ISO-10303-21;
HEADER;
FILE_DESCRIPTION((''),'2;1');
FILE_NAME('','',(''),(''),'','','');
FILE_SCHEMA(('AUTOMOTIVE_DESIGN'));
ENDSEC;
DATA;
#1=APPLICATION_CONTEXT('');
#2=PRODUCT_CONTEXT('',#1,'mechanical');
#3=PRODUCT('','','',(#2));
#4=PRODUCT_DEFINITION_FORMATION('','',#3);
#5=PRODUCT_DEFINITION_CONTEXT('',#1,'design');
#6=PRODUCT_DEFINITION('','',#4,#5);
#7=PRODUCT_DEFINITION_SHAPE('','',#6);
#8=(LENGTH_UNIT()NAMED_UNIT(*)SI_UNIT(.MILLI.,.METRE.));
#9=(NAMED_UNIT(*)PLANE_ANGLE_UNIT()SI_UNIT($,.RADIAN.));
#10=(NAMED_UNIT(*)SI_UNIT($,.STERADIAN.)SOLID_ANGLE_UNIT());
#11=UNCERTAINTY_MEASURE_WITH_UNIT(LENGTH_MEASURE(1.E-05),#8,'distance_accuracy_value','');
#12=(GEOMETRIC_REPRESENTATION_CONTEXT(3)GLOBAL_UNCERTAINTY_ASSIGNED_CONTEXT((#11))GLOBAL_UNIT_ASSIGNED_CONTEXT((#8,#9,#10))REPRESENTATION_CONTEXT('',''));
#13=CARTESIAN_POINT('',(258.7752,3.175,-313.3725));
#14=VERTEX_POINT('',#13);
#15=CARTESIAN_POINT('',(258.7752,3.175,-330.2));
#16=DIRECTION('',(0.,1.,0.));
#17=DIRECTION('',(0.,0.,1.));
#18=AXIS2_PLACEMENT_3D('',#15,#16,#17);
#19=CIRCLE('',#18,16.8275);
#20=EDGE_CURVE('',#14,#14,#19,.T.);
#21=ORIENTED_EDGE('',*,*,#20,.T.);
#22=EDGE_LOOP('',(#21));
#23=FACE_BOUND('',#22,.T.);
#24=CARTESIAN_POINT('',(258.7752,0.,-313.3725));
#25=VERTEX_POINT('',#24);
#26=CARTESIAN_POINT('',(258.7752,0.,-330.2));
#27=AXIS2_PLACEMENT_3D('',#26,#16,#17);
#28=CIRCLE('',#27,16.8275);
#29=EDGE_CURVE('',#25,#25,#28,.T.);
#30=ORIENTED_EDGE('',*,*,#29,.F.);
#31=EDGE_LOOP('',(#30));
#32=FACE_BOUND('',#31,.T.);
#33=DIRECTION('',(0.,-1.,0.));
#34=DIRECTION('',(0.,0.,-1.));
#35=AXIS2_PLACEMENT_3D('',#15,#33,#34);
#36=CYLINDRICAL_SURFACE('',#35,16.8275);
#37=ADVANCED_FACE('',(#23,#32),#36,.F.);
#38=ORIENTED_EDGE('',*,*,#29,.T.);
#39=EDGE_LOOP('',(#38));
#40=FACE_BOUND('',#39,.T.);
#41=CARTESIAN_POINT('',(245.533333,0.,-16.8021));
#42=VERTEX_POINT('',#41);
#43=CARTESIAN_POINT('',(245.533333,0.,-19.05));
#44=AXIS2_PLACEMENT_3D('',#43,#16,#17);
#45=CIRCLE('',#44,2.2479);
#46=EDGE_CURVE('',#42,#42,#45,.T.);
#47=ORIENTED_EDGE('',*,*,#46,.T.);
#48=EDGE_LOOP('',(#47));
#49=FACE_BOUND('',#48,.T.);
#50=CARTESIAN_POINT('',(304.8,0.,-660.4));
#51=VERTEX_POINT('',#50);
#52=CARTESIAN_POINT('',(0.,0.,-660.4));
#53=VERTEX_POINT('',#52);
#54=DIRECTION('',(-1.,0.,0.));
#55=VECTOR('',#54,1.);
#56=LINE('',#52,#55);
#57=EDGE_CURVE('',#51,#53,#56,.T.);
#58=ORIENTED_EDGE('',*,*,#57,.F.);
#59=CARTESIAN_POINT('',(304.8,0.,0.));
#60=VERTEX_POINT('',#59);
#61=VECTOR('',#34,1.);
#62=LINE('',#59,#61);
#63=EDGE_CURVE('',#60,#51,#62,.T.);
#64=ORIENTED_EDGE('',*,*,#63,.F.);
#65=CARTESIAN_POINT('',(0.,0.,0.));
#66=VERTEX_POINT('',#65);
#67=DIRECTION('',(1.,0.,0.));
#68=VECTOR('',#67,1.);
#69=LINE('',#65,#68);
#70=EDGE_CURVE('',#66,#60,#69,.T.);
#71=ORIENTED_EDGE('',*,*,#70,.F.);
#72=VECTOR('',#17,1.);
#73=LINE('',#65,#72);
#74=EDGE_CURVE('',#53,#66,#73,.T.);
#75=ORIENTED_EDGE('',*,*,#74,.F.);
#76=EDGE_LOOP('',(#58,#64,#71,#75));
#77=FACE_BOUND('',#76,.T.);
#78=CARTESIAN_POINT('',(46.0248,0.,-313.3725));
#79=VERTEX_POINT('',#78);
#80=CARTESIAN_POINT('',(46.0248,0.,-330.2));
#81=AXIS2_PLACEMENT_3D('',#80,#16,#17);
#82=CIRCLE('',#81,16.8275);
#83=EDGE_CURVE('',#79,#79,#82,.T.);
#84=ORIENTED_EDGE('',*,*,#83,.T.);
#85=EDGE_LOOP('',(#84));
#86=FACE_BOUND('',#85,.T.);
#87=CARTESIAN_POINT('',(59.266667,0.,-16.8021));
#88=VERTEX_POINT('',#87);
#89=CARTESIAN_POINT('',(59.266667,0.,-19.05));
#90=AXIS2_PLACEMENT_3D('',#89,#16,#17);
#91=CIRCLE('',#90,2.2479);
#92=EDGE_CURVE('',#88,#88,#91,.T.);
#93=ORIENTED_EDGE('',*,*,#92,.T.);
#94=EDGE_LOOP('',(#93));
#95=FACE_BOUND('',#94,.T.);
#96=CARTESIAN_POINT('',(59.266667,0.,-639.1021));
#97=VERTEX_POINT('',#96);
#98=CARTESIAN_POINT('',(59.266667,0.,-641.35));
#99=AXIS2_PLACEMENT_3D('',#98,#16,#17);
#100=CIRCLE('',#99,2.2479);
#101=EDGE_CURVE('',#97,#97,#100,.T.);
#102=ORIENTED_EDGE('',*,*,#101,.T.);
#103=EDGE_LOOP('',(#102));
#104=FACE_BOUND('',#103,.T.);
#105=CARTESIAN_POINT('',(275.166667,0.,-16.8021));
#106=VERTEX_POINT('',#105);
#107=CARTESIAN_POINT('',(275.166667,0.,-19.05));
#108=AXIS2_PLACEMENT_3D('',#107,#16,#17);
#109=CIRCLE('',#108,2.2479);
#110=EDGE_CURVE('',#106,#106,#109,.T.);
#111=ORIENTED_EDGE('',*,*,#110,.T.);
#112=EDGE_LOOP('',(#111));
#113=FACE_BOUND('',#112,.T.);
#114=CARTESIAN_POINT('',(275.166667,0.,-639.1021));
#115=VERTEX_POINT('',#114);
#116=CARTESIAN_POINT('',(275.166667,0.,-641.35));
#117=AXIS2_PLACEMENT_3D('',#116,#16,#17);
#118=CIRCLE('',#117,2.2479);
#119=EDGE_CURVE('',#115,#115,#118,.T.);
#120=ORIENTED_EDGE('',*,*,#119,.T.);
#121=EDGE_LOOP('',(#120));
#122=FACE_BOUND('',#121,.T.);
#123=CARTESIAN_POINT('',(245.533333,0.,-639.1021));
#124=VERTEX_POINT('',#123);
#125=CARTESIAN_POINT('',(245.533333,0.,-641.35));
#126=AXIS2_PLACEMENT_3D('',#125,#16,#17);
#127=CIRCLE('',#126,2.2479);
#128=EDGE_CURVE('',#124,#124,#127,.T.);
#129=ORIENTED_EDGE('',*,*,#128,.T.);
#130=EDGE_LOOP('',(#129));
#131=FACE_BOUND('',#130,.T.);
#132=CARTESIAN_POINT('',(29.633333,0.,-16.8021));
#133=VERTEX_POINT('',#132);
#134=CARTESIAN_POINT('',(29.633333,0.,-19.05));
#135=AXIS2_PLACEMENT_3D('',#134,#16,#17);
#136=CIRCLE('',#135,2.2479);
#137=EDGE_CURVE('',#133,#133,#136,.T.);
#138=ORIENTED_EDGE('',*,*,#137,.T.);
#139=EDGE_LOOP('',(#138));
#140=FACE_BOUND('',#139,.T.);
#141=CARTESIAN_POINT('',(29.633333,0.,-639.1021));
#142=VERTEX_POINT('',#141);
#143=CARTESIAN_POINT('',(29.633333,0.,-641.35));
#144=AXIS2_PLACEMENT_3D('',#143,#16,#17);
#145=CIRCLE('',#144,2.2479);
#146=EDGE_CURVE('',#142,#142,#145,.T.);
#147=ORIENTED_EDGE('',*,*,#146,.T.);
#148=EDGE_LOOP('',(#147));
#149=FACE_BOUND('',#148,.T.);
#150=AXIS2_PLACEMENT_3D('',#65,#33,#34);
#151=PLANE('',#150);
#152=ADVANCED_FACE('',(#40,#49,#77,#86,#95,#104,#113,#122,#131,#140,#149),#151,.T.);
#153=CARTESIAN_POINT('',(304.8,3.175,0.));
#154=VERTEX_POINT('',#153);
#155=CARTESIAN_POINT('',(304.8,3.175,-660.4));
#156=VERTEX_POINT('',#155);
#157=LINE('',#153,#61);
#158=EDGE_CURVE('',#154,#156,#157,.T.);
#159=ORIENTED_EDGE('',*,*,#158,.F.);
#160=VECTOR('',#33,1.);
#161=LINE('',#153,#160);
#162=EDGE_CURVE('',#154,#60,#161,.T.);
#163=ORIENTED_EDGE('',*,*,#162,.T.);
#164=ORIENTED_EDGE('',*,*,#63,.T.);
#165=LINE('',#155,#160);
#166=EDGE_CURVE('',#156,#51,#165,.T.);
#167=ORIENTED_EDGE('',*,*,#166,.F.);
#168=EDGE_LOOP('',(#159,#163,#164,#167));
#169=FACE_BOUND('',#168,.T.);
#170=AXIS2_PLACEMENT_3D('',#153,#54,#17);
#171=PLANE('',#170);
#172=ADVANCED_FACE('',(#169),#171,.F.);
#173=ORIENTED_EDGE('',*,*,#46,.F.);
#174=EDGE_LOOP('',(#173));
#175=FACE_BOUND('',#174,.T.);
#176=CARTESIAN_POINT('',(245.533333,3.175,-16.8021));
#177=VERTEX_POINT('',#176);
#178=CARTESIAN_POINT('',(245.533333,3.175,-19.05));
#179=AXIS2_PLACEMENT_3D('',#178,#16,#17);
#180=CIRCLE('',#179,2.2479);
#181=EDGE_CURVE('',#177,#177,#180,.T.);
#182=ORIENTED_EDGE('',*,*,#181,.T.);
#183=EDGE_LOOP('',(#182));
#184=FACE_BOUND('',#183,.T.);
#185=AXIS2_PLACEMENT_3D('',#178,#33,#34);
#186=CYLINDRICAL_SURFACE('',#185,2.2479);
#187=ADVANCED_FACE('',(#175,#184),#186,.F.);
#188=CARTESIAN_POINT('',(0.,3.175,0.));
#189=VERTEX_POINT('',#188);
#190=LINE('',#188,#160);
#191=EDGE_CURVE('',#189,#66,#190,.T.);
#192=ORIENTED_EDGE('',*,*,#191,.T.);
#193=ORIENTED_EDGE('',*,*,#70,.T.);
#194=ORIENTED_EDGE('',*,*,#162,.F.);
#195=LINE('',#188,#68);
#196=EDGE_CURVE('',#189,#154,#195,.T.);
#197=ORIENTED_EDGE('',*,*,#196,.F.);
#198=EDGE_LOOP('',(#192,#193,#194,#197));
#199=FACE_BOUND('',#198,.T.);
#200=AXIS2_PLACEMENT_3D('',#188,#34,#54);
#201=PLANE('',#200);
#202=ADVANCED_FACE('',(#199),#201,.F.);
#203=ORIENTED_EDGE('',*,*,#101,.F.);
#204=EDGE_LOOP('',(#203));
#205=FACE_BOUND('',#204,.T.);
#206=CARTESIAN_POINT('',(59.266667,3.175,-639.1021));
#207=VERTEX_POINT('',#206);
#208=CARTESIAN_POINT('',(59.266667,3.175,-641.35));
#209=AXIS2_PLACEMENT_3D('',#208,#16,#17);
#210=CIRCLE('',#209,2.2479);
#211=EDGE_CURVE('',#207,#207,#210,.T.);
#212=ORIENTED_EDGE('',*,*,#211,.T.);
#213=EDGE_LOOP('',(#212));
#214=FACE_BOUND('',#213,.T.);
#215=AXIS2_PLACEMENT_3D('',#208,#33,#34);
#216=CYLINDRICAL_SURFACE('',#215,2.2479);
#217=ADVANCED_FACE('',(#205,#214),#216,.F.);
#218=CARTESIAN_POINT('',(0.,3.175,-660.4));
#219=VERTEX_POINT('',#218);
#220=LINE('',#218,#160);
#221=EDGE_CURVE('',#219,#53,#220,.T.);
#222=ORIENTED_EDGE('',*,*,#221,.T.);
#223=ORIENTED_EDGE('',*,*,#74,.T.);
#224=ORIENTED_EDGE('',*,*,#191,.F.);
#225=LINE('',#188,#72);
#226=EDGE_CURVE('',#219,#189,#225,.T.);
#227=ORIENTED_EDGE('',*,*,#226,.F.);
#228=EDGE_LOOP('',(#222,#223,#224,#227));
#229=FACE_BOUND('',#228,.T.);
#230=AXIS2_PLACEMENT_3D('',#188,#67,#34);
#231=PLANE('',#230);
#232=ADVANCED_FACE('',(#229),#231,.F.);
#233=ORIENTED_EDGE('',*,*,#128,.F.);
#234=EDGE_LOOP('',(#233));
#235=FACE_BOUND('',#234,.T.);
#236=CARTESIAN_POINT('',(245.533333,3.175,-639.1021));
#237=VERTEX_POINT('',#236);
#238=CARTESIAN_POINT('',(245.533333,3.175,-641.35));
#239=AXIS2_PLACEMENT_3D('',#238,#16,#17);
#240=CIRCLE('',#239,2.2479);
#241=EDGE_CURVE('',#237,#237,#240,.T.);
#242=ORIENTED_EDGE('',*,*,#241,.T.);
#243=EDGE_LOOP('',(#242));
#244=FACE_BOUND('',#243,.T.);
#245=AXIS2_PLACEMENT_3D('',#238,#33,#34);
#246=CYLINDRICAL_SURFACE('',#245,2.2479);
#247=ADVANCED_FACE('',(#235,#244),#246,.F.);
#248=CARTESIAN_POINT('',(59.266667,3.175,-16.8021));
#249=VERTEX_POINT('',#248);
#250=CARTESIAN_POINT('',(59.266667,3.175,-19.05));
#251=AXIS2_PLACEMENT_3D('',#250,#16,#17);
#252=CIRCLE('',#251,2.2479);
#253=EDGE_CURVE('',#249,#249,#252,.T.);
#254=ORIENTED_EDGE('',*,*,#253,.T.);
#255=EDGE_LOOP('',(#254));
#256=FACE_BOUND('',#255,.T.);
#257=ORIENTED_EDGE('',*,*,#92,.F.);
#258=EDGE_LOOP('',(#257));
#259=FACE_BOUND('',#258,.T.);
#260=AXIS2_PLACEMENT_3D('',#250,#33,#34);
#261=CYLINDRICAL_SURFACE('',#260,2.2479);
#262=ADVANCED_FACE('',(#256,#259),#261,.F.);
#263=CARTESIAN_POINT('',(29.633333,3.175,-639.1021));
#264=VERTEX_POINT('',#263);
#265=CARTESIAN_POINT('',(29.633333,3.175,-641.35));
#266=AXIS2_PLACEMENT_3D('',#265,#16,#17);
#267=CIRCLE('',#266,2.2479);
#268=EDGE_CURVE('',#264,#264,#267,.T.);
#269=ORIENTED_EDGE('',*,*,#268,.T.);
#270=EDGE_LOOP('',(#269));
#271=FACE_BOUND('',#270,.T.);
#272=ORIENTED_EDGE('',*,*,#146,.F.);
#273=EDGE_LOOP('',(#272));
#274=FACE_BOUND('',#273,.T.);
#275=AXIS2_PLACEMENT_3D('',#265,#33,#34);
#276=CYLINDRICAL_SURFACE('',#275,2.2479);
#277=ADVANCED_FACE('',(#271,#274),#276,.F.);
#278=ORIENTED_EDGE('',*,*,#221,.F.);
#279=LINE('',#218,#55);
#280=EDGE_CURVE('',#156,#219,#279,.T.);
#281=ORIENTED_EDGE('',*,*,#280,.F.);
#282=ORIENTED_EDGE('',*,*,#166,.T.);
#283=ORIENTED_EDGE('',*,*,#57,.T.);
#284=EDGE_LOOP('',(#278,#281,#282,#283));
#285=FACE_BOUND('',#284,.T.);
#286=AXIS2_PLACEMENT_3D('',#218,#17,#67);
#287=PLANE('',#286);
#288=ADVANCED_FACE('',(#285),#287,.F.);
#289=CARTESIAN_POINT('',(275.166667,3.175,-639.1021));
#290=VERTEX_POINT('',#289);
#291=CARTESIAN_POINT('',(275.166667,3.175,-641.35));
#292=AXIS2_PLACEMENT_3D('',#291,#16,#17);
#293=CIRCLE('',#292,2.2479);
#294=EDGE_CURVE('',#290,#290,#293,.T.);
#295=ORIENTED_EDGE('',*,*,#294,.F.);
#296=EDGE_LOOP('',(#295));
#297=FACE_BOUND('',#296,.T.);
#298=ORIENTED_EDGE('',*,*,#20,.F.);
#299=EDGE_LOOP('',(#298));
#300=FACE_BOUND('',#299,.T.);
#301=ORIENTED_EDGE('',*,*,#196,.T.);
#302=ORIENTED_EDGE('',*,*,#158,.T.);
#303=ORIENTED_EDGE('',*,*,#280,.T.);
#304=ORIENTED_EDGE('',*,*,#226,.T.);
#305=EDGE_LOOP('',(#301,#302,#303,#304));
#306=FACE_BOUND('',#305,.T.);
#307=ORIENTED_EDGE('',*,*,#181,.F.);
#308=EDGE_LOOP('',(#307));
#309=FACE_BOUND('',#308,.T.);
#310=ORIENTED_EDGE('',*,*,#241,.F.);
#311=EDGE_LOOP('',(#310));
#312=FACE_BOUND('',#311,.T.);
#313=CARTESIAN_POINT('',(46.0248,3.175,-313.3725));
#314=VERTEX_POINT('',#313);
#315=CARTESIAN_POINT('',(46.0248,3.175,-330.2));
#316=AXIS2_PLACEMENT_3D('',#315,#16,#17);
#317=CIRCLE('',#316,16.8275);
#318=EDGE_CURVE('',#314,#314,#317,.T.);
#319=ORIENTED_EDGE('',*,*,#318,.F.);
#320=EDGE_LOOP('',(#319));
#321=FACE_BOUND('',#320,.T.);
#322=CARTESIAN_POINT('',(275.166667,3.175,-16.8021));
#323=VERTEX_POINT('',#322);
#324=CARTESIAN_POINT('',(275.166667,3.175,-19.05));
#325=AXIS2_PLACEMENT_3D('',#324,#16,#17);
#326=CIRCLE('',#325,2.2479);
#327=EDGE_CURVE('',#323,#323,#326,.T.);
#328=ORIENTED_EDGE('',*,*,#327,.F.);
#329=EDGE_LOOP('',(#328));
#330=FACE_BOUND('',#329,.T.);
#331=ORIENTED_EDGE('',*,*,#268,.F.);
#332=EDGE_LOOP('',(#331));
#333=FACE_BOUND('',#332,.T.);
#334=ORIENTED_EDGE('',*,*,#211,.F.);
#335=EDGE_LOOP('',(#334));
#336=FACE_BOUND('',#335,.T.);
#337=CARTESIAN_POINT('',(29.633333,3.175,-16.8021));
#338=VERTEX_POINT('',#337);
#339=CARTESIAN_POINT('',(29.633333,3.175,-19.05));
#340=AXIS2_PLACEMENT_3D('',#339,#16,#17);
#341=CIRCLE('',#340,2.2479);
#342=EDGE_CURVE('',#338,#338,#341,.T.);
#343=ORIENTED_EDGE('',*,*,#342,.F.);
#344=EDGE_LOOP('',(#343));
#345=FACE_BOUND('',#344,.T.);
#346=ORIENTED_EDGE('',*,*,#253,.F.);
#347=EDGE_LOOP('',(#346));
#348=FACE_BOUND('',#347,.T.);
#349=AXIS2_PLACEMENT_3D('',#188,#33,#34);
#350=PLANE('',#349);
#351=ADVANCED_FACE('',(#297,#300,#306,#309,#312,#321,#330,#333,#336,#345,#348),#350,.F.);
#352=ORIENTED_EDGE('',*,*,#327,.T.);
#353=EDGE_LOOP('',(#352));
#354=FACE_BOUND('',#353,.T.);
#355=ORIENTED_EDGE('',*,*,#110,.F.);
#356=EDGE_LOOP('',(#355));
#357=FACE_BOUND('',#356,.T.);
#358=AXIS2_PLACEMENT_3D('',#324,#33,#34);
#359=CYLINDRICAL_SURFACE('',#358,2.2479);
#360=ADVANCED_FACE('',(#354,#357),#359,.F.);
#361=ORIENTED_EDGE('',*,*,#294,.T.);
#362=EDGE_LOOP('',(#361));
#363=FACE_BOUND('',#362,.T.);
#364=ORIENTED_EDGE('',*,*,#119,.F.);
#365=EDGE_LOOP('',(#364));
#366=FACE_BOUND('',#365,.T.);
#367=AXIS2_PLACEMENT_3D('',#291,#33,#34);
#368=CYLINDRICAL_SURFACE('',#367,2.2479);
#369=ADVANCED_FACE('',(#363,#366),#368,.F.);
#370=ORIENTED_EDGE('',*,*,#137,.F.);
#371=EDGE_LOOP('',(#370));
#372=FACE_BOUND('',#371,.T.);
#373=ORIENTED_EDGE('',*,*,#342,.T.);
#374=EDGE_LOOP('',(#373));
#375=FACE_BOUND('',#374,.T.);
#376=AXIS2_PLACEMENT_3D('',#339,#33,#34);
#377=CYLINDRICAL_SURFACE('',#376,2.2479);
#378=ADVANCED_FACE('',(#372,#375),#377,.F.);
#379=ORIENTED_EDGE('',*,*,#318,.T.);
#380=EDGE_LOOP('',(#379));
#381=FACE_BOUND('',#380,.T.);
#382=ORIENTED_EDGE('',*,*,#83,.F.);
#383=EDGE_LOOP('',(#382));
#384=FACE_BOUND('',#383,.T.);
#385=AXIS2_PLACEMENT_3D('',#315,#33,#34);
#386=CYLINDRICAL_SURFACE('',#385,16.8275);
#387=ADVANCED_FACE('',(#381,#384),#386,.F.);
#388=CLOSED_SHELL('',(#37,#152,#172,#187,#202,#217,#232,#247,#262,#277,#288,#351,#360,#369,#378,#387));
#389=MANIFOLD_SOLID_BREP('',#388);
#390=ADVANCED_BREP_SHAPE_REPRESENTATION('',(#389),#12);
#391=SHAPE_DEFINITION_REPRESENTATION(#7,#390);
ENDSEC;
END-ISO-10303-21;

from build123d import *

# Parameters (mm, degrees)
SKETCH1_W           = 304.8
SKETCH1_H           = 660.4
SKETCH1_R           = 16.8275
SKETCH1_R_2         = 2.2479
BOSS_EXTRUDE1_DEPTH = 3.175


with BuildPart() as part:
    # Sketch1 → Boss-Extrude1 (new body)
    with BuildSketch(Plane(origin=(0, 0, 0), x_dir=(1, 0, 0), z_dir=(0, 1, 0))):
        with Locations((152.4, 330.2)):
            Rectangle(SKETCH1_W, SKETCH1_H)
        with Locations(Location((46.0248, 330.2, 0), (0, 0, 270))):
            Circle(SKETCH1_R, mode=Mode.SUBTRACT)
        with Locations(Location((258.7752, 330.2, 0), (0, 0, 270))):
            Circle(SKETCH1_R, mode=Mode.SUBTRACT)
        with Locations(Location((29.633333333, 19.05, 0), (0, 0, 270))):
            Circle(SKETCH1_R_2, mode=Mode.SUBTRACT)
        with Locations(Location((59.266666667, 19.05, 0), (0, 0, 270))):
            Circle(SKETCH1_R_2, mode=Mode.SUBTRACT)
        with Locations(Location((245.533333333, 19.05, 0), (0, 0, 270))):
            Circle(SKETCH1_R_2, mode=Mode.SUBTRACT)
        with Locations(Location((275.166666667, 19.05, 0), (0, 0, 270))):
            Circle(SKETCH1_R_2, mode=Mode.SUBTRACT)
        with Locations(Location((275.166666667, 641.35, 0), (0, 0, 270))):
            Circle(SKETCH1_R_2, mode=Mode.SUBTRACT)
        with Locations(Location((245.533333333, 641.35, 0), (0, 0, 270))):
            Circle(SKETCH1_R_2, mode=Mode.SUBTRACT)
        with Locations(Location((59.266666667, 641.35, 0), (0, 0, 270))):
            Circle(SKETCH1_R_2, mode=Mode.SUBTRACT)
        with Locations(Location((29.633333333, 641.35, 0), (0, 0, 270))):
            Circle(SKETCH1_R_2, mode=Mode.SUBTRACT)
    extrude(amount=BOSS_EXTRUDE1_DEPTH)


solid = part.part
